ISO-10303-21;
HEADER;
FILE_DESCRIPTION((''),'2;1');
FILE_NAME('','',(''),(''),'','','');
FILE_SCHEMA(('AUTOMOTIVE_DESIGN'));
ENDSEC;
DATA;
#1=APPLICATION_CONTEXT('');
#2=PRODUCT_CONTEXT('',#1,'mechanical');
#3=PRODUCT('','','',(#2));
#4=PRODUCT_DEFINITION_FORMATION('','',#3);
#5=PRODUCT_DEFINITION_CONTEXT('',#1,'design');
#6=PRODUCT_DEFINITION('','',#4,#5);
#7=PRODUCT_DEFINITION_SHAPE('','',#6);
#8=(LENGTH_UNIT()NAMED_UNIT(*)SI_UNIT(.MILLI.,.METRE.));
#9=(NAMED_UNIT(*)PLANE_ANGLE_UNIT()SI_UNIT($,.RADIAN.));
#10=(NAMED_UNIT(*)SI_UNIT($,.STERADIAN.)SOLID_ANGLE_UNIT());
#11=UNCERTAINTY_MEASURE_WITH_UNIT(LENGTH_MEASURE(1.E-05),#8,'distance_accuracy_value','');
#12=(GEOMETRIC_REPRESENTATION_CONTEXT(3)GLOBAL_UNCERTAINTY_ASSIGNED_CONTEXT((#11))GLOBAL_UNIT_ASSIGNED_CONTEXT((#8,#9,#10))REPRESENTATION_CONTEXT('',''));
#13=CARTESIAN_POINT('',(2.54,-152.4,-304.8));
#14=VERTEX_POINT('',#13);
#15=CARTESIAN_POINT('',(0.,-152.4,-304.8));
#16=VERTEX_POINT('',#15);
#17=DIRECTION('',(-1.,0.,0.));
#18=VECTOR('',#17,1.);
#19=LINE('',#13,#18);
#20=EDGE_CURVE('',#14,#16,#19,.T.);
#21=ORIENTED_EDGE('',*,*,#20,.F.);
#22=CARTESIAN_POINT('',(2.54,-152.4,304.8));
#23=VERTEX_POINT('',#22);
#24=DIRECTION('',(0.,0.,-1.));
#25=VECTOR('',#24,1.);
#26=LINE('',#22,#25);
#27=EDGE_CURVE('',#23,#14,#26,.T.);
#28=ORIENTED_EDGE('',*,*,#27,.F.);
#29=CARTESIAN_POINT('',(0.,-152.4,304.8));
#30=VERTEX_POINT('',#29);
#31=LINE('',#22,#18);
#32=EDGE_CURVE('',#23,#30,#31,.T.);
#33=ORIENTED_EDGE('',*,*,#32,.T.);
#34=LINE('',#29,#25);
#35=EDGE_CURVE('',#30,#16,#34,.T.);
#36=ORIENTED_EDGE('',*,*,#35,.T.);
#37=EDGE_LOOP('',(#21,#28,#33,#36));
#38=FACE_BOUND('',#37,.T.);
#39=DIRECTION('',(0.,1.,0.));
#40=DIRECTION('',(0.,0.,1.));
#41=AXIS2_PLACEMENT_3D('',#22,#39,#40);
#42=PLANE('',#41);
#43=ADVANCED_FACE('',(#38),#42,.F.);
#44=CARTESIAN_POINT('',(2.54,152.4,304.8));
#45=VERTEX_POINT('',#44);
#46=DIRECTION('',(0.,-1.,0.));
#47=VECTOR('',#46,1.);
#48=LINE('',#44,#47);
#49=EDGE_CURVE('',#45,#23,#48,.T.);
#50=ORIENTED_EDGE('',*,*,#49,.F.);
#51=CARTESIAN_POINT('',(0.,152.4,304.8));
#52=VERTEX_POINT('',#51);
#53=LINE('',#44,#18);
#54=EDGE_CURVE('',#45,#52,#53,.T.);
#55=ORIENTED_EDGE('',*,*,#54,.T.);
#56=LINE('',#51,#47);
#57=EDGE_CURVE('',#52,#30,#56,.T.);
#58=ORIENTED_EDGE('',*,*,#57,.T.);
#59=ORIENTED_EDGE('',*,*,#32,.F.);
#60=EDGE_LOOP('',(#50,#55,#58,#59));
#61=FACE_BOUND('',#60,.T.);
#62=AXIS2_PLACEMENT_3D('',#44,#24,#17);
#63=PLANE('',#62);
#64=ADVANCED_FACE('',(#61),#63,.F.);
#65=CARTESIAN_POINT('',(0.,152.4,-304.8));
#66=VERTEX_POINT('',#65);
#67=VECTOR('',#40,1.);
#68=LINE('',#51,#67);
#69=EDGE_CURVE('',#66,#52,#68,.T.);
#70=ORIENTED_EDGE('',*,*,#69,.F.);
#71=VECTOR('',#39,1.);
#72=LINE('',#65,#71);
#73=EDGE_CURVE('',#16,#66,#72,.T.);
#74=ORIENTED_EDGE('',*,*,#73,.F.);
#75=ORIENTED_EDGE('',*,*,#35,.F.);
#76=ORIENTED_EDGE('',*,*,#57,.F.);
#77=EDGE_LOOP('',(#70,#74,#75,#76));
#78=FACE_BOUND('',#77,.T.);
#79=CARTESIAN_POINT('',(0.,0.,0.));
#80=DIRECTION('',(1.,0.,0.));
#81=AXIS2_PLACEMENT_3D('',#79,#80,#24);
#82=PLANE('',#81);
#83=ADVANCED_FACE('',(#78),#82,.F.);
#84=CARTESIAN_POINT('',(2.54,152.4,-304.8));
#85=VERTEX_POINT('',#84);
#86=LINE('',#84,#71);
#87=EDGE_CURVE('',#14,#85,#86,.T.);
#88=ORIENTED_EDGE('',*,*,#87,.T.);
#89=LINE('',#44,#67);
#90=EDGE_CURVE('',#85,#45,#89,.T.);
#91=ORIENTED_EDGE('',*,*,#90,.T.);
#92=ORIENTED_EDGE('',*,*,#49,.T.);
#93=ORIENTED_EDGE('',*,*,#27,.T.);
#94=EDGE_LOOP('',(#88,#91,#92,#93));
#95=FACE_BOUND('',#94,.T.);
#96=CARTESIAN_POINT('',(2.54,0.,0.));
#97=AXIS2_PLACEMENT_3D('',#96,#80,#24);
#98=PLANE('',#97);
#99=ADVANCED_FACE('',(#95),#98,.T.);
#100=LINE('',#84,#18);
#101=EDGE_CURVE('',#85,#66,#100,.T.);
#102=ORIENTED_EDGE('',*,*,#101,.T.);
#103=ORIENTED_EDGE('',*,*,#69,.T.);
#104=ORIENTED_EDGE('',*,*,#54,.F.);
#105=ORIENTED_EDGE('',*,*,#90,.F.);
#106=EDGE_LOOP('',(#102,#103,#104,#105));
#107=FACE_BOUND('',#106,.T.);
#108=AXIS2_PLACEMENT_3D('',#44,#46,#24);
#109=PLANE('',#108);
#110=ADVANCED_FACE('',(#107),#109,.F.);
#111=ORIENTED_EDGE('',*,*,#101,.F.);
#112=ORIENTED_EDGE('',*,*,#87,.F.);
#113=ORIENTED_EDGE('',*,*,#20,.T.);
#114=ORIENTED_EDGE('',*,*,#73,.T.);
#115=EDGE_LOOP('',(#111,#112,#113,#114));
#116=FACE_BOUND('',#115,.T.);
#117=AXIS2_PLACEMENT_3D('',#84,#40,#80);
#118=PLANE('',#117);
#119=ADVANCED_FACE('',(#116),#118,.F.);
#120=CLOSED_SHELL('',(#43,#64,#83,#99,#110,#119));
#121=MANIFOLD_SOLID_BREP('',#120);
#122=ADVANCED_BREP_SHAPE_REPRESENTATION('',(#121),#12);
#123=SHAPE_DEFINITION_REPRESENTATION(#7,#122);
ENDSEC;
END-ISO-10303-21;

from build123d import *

# Parameters (mm, degrees)
SKETCH1_W           = 609.6
SKETCH1_H           = 304.8
BOSS_EXTRUDE1_DEPTH = 2.54


with BuildPart() as part:
    # Sketch1 → Boss-Extrude1 (new body)
    with BuildSketch(Plane(origin=(0, 0, 0), x_dir=(0, 0, -1), z_dir=(1, 0, 0))):
        Rectangle(SKETCH1_W, SKETCH1_H)
    extrude(amount=BOSS_EXTRUDE1_DEPTH)


solid = part.part
